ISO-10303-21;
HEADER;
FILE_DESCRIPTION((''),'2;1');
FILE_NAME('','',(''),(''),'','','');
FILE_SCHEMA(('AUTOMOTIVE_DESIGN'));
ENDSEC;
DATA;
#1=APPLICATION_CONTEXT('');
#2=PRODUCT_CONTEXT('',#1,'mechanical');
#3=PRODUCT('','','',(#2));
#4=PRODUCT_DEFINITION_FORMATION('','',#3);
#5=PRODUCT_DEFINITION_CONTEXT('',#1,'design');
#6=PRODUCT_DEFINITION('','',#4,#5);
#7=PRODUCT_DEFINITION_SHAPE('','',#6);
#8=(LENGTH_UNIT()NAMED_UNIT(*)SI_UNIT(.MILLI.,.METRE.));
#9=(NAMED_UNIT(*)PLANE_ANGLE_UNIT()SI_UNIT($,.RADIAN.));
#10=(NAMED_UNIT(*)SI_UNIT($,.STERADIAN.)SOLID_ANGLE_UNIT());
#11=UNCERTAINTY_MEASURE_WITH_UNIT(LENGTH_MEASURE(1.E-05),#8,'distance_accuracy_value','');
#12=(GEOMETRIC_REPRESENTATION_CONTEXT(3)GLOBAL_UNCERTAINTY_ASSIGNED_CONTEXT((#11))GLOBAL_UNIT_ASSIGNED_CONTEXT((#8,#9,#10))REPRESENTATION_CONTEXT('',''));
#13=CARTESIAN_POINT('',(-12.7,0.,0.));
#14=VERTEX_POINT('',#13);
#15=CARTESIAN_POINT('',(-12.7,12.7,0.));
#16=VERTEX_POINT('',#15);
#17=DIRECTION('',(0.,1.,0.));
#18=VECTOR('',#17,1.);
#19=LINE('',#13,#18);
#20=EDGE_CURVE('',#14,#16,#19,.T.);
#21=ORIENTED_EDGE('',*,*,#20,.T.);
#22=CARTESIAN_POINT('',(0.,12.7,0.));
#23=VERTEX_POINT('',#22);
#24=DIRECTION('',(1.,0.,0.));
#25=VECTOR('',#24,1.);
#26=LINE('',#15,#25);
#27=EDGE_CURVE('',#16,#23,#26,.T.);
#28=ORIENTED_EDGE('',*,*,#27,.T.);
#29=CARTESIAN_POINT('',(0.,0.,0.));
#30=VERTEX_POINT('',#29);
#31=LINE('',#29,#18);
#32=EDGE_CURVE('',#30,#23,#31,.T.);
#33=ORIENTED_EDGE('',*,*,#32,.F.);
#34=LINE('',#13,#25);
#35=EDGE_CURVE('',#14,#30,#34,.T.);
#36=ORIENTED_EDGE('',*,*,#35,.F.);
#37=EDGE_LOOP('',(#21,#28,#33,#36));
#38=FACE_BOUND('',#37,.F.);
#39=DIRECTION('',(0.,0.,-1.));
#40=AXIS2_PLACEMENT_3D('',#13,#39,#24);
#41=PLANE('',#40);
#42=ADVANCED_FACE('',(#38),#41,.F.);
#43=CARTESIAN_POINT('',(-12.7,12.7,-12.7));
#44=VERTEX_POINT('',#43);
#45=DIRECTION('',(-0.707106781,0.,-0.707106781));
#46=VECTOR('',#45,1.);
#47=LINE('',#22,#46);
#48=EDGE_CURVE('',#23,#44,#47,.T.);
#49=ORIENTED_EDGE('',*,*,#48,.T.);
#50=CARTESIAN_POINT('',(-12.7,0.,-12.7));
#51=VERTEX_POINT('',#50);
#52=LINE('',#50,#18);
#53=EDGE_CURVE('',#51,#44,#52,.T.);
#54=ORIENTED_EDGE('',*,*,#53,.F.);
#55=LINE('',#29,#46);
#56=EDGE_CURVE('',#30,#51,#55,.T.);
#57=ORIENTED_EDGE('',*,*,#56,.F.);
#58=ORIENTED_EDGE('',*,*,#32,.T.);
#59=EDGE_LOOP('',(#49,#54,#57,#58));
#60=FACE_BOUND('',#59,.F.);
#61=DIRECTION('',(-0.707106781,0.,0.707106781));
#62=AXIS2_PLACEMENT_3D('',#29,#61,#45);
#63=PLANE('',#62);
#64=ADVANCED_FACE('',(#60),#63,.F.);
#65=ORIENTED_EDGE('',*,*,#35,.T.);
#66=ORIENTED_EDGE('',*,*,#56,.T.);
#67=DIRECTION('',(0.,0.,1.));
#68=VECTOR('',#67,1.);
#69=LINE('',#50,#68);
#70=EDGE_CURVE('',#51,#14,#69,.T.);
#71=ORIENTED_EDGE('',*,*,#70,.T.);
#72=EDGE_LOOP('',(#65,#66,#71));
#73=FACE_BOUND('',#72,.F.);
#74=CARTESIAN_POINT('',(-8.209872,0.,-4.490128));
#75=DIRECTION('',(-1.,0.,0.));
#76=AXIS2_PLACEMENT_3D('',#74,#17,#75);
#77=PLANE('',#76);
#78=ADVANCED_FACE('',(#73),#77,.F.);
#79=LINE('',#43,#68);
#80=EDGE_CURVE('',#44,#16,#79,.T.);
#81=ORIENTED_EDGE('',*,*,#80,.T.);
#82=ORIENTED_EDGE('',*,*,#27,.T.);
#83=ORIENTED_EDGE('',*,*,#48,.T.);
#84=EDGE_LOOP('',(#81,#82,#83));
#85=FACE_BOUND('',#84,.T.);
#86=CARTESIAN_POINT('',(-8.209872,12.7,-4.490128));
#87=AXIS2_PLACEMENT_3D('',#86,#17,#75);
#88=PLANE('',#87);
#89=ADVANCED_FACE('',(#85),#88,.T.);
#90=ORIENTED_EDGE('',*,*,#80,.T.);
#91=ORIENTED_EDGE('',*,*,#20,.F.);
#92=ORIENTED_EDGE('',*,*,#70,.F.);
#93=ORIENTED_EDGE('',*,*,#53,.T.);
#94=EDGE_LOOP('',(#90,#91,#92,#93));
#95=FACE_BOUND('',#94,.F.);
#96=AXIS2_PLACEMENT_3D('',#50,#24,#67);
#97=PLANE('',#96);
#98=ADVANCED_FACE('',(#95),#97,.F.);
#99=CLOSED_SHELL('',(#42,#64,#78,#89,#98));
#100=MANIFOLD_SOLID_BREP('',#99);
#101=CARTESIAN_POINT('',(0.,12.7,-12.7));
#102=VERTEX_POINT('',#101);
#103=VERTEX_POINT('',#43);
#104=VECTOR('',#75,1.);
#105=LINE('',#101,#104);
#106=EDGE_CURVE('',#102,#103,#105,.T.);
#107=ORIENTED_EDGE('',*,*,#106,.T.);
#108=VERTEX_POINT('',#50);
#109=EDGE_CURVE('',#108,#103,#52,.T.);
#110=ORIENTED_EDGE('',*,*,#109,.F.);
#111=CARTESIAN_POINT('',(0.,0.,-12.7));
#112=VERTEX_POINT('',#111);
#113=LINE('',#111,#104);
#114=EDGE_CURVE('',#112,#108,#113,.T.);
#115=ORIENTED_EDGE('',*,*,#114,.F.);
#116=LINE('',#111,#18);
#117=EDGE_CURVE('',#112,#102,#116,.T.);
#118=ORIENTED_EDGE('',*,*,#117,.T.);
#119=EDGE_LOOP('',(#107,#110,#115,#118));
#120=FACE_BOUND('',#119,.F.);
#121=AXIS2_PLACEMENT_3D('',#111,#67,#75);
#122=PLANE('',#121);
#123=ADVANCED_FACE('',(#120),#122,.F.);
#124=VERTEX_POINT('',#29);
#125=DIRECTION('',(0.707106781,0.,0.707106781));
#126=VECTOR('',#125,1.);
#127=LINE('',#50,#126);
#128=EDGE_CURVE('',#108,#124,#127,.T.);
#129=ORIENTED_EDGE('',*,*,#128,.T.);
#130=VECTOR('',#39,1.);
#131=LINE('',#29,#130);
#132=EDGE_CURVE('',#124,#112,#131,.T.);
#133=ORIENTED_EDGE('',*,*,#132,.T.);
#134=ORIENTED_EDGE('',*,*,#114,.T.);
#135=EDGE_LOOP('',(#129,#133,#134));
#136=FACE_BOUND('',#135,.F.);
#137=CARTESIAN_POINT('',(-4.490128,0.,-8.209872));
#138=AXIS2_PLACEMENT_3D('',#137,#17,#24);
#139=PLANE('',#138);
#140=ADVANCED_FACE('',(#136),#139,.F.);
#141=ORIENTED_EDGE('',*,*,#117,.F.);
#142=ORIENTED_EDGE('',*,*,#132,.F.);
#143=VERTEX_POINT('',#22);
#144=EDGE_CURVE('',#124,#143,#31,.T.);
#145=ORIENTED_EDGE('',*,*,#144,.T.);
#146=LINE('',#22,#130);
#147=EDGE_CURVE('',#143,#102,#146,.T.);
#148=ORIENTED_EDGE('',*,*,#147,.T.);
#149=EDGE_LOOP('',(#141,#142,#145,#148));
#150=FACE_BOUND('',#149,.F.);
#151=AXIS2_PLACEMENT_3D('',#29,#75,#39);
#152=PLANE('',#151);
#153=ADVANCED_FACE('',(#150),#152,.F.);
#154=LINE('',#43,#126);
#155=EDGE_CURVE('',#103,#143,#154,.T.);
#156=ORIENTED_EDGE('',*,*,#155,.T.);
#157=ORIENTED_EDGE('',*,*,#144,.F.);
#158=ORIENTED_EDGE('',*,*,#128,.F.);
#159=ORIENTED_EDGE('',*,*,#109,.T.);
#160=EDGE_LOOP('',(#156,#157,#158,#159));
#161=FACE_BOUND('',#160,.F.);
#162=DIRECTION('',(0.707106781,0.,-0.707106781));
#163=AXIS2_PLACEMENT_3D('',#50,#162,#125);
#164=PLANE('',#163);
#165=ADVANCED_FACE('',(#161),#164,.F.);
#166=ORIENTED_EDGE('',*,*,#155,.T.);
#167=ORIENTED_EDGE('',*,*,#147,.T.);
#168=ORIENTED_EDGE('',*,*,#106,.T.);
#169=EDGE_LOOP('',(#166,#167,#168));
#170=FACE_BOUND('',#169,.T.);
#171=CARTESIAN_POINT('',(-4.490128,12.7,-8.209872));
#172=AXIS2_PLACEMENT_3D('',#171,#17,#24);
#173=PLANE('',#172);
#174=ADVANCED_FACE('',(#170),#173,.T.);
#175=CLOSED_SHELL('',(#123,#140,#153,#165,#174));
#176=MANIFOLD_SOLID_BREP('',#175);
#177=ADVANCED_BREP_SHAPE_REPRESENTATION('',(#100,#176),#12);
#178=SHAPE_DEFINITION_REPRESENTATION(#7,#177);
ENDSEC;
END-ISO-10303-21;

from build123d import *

# Parameters (mm, degrees)
EXTRUDE_1_DEPTH = 12.7
EXTRUDE_2_DEPTH = 12.7


with BuildPart() as part:
    # 草图1 → 凸台-拉伸1 (new body)
    with BuildSketch(Plane(origin=(0, 0, 0), x_dir=(1, 0, 0), z_dir=(0, 1, 0))):
        Polygon((0, 0), (0, 12.7), (-12.7, 12.7), align=None)
    extrude(amount=EXTRUDE_1_DEPTH)


with BuildPart() as body_2:
    # 草图2 → 凸台-拉伸2 (new body)
    with BuildSketch(Plane.XZ):
        Polygon((-12.7, -12.7), (-12.7, 0), (0, 0), align=None)
    extrude(amount=-EXTRUDE_2_DEPTH)


solid = Compound([part.part, body_2.part])
